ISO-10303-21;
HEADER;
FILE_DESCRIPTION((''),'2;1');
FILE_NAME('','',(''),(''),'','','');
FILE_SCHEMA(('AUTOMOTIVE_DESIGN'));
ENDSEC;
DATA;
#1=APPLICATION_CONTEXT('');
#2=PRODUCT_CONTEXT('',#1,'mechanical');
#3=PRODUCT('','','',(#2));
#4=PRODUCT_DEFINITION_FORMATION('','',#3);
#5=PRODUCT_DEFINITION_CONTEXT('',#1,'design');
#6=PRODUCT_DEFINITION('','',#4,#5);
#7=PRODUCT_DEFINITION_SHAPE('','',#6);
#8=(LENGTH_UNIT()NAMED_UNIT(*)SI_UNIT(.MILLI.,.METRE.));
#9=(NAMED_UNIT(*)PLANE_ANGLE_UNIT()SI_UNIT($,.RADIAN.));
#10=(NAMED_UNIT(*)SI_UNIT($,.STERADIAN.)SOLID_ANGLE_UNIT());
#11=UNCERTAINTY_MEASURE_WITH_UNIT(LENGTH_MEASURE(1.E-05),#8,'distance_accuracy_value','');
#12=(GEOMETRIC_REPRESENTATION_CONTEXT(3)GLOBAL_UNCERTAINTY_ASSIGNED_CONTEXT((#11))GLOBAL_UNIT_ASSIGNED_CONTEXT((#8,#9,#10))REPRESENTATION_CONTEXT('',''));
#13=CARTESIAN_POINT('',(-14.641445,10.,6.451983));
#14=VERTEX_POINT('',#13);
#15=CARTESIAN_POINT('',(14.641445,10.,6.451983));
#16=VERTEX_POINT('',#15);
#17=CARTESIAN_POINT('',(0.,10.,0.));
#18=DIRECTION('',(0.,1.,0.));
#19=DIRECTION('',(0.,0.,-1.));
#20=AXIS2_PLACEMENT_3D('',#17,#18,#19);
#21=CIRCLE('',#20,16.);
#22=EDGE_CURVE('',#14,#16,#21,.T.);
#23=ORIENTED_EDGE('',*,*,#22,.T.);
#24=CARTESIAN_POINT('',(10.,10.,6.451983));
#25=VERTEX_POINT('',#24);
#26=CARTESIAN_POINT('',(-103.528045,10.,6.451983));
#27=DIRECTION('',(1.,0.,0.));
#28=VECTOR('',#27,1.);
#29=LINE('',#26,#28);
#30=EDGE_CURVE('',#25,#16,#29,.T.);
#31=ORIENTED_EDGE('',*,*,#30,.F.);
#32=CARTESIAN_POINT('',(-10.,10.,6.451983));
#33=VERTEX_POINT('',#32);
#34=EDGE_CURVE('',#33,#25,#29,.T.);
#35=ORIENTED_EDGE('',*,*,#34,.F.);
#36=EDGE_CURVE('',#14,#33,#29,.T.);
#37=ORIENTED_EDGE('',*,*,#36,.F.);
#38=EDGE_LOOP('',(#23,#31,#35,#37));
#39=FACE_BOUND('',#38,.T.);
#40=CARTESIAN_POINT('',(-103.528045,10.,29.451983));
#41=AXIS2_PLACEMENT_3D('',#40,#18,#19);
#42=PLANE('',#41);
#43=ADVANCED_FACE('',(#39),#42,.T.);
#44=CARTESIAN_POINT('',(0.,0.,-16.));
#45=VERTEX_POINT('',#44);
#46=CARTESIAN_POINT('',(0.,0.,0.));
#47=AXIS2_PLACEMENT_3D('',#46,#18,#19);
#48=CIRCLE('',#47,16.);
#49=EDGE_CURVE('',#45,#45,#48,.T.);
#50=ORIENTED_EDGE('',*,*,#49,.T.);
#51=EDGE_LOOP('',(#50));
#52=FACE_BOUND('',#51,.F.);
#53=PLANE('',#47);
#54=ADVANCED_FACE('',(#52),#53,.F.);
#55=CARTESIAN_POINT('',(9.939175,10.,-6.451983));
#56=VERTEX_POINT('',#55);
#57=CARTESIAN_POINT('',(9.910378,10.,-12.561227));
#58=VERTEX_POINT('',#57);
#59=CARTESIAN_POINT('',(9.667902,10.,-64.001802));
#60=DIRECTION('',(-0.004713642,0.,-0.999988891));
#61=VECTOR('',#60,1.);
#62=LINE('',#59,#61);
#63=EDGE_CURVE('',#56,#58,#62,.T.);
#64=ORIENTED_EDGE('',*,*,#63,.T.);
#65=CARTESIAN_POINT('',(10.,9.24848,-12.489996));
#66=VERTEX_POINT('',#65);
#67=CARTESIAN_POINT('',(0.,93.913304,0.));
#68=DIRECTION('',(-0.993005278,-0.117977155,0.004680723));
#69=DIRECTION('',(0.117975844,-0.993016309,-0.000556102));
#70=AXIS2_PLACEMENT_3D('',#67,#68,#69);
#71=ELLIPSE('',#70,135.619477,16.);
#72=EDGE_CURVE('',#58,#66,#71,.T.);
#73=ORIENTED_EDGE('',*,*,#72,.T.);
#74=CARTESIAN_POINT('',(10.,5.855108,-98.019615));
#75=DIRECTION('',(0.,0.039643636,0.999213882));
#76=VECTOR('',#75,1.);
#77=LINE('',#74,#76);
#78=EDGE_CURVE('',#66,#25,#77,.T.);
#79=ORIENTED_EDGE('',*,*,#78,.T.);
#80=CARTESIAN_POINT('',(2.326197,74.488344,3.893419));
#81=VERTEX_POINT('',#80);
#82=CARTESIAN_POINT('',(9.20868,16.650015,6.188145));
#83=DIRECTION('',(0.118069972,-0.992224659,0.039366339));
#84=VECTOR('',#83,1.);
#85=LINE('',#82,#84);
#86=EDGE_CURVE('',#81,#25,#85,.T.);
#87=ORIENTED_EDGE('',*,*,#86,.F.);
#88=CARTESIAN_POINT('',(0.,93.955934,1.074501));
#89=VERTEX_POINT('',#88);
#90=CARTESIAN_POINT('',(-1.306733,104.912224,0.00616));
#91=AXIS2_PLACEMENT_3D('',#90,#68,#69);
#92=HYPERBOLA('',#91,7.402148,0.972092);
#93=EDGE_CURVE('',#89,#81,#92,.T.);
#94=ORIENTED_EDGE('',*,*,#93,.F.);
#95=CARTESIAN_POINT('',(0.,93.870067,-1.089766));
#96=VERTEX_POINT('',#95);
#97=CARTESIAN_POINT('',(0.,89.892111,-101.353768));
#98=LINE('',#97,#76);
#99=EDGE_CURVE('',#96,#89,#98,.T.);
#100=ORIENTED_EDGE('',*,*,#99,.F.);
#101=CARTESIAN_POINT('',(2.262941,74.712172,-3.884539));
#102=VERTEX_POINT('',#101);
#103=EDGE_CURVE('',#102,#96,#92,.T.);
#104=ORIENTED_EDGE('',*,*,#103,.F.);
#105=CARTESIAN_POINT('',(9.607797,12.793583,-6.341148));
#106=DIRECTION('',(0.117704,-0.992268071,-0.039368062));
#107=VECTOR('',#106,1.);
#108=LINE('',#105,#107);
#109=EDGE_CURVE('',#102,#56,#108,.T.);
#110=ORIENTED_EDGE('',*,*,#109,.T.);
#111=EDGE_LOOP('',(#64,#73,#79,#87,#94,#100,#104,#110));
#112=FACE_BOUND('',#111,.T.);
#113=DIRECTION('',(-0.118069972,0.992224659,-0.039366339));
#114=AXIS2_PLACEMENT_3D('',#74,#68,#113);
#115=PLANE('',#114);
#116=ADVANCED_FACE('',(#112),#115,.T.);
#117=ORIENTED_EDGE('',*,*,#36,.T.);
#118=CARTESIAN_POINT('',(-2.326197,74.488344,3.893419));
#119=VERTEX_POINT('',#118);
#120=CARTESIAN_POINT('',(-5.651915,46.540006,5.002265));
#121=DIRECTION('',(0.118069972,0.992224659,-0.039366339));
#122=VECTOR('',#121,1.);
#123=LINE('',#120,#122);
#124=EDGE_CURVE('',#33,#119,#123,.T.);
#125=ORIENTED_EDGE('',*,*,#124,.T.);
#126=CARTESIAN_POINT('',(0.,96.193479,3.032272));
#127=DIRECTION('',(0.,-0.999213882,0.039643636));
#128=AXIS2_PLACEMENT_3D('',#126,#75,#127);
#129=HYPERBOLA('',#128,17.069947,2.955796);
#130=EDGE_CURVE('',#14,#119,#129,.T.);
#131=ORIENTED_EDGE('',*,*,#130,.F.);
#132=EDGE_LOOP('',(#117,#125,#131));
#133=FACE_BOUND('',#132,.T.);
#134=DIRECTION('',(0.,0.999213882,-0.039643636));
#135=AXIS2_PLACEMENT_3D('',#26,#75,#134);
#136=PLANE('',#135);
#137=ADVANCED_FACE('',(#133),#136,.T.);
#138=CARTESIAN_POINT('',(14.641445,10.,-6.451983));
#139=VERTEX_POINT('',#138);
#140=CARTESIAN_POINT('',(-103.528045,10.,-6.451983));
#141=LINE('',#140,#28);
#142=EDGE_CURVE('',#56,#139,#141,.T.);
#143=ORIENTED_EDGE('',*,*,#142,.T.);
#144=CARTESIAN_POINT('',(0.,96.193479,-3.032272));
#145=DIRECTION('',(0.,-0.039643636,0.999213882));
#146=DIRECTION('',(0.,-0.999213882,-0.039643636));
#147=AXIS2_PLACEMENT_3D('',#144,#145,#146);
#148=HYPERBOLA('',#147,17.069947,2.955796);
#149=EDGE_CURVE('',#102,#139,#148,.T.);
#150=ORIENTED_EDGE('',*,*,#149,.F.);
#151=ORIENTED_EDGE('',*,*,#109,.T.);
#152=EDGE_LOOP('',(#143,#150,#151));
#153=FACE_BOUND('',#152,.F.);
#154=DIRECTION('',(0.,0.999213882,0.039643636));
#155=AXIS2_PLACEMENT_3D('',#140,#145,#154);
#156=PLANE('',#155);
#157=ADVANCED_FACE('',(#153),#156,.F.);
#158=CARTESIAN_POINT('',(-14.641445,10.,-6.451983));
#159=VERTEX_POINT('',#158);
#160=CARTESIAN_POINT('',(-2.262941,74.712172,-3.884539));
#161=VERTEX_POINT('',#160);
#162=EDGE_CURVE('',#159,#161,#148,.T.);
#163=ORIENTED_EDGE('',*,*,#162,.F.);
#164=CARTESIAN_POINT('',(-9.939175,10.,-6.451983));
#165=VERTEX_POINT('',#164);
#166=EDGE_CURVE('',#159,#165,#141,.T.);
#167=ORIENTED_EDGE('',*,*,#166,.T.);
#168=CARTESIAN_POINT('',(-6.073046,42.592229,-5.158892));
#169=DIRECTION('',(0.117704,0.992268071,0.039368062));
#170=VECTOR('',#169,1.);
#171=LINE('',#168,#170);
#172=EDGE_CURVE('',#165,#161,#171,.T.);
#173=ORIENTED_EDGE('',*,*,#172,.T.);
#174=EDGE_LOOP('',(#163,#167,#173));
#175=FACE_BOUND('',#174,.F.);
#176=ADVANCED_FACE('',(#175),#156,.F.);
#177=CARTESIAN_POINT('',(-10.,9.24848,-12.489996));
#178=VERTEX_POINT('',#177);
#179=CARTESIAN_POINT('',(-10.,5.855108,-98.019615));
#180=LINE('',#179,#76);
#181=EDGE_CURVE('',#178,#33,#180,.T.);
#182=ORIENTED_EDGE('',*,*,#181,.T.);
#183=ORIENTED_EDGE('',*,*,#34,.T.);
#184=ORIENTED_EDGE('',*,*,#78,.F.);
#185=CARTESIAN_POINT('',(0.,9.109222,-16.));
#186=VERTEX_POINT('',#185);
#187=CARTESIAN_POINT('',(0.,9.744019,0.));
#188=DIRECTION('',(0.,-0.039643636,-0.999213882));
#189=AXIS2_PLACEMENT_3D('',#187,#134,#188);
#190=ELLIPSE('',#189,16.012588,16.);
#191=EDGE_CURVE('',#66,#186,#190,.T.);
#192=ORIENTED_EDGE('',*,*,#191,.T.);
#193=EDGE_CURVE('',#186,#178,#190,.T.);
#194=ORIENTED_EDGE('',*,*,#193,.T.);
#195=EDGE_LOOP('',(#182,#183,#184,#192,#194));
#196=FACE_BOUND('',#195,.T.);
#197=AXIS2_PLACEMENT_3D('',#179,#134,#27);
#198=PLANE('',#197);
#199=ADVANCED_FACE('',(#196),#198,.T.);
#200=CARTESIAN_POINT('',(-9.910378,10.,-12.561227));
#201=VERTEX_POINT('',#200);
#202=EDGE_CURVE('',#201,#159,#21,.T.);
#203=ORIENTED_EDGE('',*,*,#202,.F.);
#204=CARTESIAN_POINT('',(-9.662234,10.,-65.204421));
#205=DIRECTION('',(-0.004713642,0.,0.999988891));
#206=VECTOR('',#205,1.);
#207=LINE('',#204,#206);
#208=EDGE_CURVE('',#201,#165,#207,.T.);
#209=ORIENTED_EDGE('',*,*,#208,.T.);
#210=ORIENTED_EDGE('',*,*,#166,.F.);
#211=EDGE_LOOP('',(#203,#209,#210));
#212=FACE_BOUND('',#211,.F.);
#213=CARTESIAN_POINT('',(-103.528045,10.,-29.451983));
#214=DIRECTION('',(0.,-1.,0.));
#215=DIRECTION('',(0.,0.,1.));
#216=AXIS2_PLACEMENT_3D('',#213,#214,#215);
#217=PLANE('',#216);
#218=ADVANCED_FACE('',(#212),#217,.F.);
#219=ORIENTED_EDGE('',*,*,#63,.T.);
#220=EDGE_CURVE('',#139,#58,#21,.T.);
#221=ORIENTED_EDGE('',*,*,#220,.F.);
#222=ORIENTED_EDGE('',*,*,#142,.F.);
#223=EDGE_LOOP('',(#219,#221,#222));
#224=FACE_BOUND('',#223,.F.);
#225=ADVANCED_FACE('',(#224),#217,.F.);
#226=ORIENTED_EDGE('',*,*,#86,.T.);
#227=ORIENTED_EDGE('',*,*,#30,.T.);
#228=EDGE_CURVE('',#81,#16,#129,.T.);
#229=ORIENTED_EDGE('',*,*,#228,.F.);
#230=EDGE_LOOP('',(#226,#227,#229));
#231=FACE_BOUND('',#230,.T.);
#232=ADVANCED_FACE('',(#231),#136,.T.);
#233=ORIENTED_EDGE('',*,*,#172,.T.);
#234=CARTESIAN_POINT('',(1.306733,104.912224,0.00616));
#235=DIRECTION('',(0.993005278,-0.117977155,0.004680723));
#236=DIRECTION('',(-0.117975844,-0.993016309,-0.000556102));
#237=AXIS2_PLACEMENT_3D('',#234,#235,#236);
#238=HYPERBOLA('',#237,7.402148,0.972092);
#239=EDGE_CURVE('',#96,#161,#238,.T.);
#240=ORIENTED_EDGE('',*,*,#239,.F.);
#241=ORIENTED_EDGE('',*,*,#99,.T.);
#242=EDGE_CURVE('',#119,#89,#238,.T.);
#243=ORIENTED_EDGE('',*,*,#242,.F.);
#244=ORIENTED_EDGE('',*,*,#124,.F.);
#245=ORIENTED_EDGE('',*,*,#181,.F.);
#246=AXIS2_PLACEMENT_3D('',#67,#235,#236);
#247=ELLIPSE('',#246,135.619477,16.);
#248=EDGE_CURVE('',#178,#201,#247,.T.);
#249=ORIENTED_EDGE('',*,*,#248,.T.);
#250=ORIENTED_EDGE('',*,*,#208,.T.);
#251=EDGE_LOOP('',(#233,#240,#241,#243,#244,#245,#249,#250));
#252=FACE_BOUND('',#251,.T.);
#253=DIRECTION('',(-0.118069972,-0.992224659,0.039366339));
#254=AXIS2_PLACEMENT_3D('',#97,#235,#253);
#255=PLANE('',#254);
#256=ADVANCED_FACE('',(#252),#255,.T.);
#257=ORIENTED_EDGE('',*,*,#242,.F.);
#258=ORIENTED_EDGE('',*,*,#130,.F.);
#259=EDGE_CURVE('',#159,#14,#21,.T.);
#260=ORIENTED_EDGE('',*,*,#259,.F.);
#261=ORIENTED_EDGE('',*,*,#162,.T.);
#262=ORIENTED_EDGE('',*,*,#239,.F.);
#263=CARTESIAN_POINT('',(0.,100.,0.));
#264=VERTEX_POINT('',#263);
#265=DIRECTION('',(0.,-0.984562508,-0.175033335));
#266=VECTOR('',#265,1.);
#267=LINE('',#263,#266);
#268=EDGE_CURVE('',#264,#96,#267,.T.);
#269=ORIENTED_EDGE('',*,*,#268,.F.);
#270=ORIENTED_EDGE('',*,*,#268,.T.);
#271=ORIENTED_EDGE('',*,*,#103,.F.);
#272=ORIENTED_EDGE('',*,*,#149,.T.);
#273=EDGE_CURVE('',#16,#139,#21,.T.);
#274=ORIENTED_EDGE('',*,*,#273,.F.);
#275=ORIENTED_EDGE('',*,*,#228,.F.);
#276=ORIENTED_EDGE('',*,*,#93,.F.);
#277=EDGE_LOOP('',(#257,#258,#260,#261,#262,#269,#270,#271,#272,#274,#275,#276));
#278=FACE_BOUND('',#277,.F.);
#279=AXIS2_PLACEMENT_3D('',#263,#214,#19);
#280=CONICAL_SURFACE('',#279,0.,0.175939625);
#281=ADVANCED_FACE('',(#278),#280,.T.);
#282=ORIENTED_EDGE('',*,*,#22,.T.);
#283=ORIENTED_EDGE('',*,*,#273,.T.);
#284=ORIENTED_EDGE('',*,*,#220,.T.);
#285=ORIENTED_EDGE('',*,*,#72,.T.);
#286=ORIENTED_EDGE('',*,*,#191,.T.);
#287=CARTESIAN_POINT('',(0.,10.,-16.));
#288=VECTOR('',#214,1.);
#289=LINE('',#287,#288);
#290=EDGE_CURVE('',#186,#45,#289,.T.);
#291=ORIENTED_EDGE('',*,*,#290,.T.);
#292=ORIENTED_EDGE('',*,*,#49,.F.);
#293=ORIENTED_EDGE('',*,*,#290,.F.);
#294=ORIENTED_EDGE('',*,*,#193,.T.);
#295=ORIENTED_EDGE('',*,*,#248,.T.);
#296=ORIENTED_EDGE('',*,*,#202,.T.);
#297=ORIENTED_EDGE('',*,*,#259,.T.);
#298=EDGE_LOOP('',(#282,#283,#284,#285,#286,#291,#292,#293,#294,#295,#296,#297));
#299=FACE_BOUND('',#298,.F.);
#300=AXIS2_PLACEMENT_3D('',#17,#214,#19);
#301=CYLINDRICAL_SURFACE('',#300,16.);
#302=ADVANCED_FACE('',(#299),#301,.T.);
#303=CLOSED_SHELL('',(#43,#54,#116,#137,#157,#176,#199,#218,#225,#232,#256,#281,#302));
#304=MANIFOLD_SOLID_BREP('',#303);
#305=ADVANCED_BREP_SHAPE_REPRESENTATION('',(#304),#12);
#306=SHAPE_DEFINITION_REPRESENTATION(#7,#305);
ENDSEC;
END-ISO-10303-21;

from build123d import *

# Parameters (mm, degrees)
CUT_EXTRUDE1_DEPTH      = 103.528044944
CUT_EXTRUDE1_DEPTH_BACK = 103.528044944
CUT_EXTRUDE2_DEPTH      = 104.553789555
CUT_EXTRUDE2_DEPTH_BACK = 104.553789555


with BuildPart() as part:
    # Sketch1 → Revolve1 (revolve)
    with BuildSketch(Plane.XY, mode=Mode.PRIVATE) as revolve1_sk:
        Polygon((0, 100), (-16, 10), (-16, 0), (0, 0), align=None)
    revolve(revolve1_sk.sketch.rotate(Axis((0, 0, 0), (0, 1, 0)), 270), axis=Axis((0, 0, 0), (0, 1, 0)))

    # Sketch3 → Cut-Extrude1 (cut, two sides: drawn at the far end of the back side and taken through both)
    with BuildSketch(Plane(origin=(0, 0, 0), x_dir=(0, 0, -1), z_dir=(1, 0, 0)).offset(-CUT_EXTRUDE1_DEPTH_BACK)):
        Polygon((-29.451982923, 10), (-6.451982923, 10), (-2.451982923, 110.819600833), (-29.451982923, 110.819600833), align=None)
        Polygon((29.451982923, 10), (6.451982923, 10), (2.451982923, 110.819600833), (29.451982923, 110.819600833), align=None)
    extrude(amount=CUT_EXTRUDE1_DEPTH + CUT_EXTRUDE1_DEPTH_BACK, mode=Mode.SUBTRACT)

    # Sketch4 → Cut-Extrude2 (cut, two sides: drawn at the far end of the back side and taken through both)
    with BuildSketch(Plane(origin=(0, 0.271295166, 6.837967583), x_dir=(1, 0, 0), z_dir=(0, 0.03964363571474905, 0.9992138820829684)).offset(-CUT_EXTRUDE2_DEPTH_BACK)):
        Polygon((-10, 9.73635876), (10, 9.73635876), (0, 93.839476738), align=None)
    extrude(amount=CUT_EXTRUDE2_DEPTH + CUT_EXTRUDE2_DEPTH_BACK, mode=Mode.SUBTRACT)


solid = part.part
